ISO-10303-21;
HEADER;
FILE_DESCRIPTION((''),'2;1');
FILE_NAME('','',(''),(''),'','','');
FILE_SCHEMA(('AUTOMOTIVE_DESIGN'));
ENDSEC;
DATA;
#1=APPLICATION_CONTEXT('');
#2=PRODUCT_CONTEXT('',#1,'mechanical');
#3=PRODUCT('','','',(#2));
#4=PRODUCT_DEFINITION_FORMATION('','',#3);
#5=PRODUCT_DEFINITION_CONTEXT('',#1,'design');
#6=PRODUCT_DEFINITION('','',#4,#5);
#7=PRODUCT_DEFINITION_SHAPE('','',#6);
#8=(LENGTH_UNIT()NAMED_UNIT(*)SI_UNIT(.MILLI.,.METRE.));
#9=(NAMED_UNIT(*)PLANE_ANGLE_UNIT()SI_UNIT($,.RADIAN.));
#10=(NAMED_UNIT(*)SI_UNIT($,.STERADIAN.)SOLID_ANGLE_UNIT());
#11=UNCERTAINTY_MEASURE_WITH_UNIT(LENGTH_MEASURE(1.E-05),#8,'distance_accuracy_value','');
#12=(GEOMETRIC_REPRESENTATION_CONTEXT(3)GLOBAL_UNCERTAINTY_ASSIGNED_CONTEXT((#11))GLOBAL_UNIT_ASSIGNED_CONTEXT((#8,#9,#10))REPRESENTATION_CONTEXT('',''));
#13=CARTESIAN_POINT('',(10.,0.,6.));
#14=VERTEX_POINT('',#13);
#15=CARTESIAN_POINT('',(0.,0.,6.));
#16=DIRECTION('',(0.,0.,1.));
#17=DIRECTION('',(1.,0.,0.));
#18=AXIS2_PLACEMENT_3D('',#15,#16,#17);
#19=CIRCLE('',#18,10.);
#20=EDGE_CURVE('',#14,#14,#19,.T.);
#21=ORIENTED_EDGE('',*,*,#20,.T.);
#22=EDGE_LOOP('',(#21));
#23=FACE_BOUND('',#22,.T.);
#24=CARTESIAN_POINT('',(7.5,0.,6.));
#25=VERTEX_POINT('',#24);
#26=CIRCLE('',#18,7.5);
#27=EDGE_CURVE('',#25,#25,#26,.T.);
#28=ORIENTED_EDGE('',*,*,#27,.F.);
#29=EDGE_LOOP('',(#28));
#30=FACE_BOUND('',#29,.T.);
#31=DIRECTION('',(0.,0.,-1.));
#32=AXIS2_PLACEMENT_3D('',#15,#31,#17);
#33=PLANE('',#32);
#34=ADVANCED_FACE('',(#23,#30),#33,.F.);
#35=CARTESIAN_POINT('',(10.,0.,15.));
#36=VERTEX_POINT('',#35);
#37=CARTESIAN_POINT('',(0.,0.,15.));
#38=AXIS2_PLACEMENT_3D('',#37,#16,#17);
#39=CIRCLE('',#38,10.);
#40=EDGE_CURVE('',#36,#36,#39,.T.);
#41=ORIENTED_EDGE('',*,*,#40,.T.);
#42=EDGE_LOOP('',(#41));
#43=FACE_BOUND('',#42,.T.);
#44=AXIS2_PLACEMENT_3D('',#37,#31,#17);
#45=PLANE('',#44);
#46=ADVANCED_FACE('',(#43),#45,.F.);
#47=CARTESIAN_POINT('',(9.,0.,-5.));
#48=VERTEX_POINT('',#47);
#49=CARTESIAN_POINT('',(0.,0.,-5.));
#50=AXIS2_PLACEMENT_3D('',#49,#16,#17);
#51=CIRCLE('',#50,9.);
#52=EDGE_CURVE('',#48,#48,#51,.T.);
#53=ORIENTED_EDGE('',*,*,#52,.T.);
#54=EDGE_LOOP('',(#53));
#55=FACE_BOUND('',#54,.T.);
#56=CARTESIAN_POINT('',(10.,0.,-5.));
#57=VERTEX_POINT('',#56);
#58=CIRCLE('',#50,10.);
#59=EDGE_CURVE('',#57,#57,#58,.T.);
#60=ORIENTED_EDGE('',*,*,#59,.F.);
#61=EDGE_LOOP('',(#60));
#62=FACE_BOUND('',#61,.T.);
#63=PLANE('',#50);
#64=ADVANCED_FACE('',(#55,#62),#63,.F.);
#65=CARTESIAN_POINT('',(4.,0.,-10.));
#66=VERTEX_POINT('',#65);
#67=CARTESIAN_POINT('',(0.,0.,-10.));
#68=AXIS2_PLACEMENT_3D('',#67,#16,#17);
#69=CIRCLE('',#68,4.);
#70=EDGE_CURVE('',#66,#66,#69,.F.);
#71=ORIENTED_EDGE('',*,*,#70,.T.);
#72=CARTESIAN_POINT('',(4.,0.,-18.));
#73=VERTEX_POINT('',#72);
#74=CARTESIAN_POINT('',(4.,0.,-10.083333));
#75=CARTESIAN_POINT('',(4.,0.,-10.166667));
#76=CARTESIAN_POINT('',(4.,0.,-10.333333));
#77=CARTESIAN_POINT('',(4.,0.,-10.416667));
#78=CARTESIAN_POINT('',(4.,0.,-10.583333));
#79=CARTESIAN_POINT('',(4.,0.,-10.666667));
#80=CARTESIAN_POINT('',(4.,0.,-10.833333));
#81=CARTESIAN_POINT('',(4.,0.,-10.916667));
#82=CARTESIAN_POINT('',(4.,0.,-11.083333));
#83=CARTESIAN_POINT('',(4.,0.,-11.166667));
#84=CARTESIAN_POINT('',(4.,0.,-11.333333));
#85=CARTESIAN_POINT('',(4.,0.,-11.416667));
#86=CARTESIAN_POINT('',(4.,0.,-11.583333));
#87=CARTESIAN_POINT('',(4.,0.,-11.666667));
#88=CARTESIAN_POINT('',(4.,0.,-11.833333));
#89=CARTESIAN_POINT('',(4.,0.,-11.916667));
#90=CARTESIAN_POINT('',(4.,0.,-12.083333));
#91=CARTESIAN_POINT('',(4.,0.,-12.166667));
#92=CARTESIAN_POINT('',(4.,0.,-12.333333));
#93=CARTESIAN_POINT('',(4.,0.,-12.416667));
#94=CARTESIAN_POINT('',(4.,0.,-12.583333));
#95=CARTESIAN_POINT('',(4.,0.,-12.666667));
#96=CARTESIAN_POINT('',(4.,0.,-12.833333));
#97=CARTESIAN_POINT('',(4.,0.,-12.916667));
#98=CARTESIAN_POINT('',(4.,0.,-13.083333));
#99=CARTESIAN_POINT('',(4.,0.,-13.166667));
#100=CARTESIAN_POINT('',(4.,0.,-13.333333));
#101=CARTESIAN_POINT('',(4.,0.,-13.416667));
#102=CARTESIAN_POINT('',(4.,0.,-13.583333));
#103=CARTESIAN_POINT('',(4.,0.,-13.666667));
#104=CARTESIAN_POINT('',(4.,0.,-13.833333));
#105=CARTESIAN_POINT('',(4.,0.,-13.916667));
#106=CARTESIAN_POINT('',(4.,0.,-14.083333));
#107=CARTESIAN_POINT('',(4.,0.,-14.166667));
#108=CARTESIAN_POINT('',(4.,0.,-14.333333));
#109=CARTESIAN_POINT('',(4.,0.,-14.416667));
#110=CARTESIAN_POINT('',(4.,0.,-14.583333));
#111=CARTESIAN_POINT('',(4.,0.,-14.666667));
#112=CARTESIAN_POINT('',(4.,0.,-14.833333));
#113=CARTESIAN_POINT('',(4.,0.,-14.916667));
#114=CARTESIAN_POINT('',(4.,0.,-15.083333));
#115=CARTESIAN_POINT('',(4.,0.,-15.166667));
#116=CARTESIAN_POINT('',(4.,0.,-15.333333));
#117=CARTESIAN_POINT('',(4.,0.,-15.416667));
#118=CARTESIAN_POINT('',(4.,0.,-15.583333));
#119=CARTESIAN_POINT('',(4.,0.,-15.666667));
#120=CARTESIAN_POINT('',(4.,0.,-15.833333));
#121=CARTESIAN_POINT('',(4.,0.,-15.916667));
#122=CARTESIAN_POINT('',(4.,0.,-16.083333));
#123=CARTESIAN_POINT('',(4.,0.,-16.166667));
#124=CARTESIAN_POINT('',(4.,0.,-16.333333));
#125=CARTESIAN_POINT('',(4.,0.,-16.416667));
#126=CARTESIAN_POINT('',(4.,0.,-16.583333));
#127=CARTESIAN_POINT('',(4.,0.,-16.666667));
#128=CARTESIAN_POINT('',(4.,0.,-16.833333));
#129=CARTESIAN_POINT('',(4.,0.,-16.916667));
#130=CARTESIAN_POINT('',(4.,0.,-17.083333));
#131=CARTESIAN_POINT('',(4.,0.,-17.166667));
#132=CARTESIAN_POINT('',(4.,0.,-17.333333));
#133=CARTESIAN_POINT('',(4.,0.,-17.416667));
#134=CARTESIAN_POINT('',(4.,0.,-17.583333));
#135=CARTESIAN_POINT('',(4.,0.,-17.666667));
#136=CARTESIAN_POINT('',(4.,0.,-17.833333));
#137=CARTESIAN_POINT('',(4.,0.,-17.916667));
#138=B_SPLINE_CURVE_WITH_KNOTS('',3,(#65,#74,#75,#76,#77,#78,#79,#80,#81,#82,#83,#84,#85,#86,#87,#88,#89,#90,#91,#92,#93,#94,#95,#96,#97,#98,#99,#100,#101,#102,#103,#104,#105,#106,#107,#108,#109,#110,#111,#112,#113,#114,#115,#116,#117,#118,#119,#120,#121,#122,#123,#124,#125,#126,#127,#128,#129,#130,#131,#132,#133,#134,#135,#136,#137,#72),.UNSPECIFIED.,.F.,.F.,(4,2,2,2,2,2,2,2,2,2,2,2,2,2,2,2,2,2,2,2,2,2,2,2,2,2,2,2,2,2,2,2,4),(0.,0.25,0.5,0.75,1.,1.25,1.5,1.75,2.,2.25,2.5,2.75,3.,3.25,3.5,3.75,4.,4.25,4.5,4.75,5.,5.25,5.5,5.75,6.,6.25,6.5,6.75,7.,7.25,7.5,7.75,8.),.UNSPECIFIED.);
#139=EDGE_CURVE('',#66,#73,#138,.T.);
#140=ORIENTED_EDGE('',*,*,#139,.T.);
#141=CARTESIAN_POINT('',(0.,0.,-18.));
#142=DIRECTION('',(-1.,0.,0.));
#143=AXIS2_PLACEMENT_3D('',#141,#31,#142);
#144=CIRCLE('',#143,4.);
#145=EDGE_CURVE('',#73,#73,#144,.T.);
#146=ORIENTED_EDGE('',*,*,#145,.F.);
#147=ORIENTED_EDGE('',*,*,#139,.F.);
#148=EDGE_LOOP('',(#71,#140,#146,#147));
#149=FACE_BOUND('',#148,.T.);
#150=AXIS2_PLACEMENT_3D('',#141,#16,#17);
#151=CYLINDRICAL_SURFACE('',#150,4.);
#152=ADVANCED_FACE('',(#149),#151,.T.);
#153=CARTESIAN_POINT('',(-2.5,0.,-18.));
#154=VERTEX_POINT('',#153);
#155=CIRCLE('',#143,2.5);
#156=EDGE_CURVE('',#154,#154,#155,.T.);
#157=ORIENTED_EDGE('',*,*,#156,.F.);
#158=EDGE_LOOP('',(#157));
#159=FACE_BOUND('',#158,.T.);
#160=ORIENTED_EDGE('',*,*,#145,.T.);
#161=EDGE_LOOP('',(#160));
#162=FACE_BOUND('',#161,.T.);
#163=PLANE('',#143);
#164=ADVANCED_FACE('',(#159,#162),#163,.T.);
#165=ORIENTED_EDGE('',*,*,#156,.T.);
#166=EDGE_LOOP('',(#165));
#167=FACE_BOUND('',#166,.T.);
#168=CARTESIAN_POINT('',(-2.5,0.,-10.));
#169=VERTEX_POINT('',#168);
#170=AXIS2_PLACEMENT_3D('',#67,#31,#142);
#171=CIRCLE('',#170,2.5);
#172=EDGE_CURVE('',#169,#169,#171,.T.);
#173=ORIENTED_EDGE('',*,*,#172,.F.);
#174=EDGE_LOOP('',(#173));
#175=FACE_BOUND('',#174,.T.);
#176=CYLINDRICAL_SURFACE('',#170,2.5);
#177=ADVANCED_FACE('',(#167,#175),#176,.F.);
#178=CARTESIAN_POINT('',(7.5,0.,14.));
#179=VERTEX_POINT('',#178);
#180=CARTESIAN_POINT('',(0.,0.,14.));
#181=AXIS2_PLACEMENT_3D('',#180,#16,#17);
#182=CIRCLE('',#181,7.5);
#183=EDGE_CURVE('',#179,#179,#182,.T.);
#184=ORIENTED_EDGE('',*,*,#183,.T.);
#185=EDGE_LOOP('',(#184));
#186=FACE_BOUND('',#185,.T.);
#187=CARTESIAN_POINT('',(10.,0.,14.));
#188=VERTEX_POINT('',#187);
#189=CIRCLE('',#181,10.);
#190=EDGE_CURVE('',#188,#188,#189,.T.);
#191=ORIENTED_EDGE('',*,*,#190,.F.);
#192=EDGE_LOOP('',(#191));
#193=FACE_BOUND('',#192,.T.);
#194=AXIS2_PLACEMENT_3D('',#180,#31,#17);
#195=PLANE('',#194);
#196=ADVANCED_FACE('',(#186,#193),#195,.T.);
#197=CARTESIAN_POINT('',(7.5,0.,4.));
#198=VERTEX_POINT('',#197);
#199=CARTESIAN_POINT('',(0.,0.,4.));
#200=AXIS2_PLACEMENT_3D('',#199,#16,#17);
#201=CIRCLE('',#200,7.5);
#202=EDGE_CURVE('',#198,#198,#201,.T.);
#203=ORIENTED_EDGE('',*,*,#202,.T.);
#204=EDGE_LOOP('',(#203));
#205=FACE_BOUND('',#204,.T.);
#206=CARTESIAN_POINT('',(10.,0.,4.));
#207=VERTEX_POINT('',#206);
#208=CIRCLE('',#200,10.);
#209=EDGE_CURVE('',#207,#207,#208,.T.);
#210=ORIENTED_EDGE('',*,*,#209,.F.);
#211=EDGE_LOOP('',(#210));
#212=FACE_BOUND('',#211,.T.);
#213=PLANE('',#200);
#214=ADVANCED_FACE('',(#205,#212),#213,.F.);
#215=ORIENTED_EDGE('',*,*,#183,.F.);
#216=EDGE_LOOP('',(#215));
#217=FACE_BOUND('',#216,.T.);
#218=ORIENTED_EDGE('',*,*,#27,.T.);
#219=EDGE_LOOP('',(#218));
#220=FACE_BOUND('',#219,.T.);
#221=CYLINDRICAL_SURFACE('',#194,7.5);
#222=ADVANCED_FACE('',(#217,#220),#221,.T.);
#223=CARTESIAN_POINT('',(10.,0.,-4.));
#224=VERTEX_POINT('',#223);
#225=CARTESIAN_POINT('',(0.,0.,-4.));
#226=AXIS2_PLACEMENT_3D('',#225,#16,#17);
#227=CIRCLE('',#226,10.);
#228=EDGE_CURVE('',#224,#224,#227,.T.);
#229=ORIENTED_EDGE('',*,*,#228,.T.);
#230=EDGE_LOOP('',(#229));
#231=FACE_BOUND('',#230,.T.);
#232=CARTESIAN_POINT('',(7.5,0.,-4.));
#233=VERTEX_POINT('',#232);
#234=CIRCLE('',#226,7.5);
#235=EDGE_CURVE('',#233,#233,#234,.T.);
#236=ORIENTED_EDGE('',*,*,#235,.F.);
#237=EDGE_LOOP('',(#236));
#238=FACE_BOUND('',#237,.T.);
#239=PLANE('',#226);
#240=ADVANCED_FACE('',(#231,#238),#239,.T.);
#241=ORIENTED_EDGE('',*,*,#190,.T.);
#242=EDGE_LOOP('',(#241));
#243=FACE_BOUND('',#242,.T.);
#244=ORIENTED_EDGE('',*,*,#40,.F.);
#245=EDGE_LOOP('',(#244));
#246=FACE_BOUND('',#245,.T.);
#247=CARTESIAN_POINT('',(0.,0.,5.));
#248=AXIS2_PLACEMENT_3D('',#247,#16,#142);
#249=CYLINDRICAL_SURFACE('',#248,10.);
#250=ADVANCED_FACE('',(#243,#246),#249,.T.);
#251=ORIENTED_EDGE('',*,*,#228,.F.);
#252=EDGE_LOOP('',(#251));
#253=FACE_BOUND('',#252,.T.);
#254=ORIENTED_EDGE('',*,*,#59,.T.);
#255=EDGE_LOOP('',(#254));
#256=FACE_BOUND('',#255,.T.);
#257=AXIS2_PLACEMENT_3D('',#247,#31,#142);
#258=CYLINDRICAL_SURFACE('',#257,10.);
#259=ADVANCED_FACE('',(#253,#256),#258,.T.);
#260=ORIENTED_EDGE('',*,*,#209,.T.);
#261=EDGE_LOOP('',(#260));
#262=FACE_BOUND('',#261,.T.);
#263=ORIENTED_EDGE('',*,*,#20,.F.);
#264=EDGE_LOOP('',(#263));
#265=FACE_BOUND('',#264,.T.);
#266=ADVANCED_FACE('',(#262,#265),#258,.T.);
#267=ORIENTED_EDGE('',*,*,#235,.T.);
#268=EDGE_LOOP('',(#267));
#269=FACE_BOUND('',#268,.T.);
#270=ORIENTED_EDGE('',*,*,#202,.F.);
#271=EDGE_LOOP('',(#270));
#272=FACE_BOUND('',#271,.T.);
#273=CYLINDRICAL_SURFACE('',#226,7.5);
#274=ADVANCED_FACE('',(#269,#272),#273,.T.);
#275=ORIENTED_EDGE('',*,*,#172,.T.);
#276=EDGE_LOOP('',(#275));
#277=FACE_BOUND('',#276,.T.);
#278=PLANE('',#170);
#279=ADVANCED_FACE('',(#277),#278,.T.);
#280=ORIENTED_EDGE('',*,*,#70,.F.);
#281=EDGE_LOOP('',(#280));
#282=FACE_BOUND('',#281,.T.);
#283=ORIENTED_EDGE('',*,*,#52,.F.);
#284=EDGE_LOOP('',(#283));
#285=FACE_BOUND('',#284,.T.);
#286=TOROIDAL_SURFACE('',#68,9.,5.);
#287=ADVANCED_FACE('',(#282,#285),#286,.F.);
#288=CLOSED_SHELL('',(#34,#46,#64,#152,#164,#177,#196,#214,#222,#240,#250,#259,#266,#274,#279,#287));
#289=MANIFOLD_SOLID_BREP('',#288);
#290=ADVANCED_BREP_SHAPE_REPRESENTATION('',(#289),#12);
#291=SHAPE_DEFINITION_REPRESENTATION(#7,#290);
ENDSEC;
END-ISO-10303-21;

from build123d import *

# Parameters (mm, degrees)
CROQUIS1_R              = 10
SALIENTE_EXTRUIR1_DEPTH = 5
CROQUIS2_R              = 10
CROQUIS2_R_2            = 7.5
CORTAR_EXTRUIR1_DEPTH   = 4
CROQUIS3_R              = 4
SALIENTE_EXTRUIR2_DEPTH = 13
CROQUIS4_R              = 2.5
CORTAR_EXTRUIR2_DEPTH   = 8
REDONDEO1_R             = 5


with BuildPart() as part:
    # Croquis1 → Saliente-Extruir1 (new, symmetric)
    with BuildSketch(Plane(origin=(0, 0, 0), x_dir=(0, 1, 0), z_dir=(0, 0, 1))):
        with Locations(Location((0, 0, 0), (0, 0, 270))):
            Circle(CROQUIS1_R)
    extrude(amount=SALIENTE_EXTRUIR1_DEPTH, both=True)

    # Croquis2 → Cortar-Extruir1 (cut, symmetric)
    with BuildSketch(Plane(origin=(0, 0, 0), x_dir=(0, 1, 0), z_dir=(0, 0, 1))):
        with Locations(Location((0, 0, 0), (0, 0, 270))):
            Circle(CROQUIS2_R)
        with Locations(Location((0, 0, 0), (0, 0, 270))):
            Circle(CROQUIS2_R_2, mode=Mode.SUBTRACT)
    extrude(amount=CORTAR_EXTRUIR1_DEPTH, both=True, mode=Mode.SUBTRACT)

    # Simetría2: part across plane


with BuildPart() as part_1:
    add(part.part)
    add(part.part.mirror(Plane.XY.offset(5)))

    # Croquis3 → Saliente-Extruir2 (add)
    with BuildSketch(Plane(origin=(0, 0, -5), x_dir=(-1, 0, 0), z_dir=(0, 0, -1))):
        with Locations(Location((0, 0, 0), (0, 0, 180))):
            Circle(CROQUIS3_R)
    extrude(amount=SALIENTE_EXTRUIR2_DEPTH)

    # Croquis4 → Cortar-Extruir2 (cut)
    with BuildSketch(Plane(origin=(0, 0, -18), x_dir=(-1, 0, 0), z_dir=(0, 0, -1))):
        Circle(CROQUIS4_R)
    extrude(amount=-CORTAR_EXTRUIR2_DEPTH, mode=Mode.SUBTRACT)

    # Redondeo1
    redondeo1_edges = [part_1.edges().sort_by_distance(p)[0] for p in [
        (-4, 0, -5),
    ]]
    fillet(redondeo1_edges, radius=REDONDEO1_R)


solid = part_1.part
